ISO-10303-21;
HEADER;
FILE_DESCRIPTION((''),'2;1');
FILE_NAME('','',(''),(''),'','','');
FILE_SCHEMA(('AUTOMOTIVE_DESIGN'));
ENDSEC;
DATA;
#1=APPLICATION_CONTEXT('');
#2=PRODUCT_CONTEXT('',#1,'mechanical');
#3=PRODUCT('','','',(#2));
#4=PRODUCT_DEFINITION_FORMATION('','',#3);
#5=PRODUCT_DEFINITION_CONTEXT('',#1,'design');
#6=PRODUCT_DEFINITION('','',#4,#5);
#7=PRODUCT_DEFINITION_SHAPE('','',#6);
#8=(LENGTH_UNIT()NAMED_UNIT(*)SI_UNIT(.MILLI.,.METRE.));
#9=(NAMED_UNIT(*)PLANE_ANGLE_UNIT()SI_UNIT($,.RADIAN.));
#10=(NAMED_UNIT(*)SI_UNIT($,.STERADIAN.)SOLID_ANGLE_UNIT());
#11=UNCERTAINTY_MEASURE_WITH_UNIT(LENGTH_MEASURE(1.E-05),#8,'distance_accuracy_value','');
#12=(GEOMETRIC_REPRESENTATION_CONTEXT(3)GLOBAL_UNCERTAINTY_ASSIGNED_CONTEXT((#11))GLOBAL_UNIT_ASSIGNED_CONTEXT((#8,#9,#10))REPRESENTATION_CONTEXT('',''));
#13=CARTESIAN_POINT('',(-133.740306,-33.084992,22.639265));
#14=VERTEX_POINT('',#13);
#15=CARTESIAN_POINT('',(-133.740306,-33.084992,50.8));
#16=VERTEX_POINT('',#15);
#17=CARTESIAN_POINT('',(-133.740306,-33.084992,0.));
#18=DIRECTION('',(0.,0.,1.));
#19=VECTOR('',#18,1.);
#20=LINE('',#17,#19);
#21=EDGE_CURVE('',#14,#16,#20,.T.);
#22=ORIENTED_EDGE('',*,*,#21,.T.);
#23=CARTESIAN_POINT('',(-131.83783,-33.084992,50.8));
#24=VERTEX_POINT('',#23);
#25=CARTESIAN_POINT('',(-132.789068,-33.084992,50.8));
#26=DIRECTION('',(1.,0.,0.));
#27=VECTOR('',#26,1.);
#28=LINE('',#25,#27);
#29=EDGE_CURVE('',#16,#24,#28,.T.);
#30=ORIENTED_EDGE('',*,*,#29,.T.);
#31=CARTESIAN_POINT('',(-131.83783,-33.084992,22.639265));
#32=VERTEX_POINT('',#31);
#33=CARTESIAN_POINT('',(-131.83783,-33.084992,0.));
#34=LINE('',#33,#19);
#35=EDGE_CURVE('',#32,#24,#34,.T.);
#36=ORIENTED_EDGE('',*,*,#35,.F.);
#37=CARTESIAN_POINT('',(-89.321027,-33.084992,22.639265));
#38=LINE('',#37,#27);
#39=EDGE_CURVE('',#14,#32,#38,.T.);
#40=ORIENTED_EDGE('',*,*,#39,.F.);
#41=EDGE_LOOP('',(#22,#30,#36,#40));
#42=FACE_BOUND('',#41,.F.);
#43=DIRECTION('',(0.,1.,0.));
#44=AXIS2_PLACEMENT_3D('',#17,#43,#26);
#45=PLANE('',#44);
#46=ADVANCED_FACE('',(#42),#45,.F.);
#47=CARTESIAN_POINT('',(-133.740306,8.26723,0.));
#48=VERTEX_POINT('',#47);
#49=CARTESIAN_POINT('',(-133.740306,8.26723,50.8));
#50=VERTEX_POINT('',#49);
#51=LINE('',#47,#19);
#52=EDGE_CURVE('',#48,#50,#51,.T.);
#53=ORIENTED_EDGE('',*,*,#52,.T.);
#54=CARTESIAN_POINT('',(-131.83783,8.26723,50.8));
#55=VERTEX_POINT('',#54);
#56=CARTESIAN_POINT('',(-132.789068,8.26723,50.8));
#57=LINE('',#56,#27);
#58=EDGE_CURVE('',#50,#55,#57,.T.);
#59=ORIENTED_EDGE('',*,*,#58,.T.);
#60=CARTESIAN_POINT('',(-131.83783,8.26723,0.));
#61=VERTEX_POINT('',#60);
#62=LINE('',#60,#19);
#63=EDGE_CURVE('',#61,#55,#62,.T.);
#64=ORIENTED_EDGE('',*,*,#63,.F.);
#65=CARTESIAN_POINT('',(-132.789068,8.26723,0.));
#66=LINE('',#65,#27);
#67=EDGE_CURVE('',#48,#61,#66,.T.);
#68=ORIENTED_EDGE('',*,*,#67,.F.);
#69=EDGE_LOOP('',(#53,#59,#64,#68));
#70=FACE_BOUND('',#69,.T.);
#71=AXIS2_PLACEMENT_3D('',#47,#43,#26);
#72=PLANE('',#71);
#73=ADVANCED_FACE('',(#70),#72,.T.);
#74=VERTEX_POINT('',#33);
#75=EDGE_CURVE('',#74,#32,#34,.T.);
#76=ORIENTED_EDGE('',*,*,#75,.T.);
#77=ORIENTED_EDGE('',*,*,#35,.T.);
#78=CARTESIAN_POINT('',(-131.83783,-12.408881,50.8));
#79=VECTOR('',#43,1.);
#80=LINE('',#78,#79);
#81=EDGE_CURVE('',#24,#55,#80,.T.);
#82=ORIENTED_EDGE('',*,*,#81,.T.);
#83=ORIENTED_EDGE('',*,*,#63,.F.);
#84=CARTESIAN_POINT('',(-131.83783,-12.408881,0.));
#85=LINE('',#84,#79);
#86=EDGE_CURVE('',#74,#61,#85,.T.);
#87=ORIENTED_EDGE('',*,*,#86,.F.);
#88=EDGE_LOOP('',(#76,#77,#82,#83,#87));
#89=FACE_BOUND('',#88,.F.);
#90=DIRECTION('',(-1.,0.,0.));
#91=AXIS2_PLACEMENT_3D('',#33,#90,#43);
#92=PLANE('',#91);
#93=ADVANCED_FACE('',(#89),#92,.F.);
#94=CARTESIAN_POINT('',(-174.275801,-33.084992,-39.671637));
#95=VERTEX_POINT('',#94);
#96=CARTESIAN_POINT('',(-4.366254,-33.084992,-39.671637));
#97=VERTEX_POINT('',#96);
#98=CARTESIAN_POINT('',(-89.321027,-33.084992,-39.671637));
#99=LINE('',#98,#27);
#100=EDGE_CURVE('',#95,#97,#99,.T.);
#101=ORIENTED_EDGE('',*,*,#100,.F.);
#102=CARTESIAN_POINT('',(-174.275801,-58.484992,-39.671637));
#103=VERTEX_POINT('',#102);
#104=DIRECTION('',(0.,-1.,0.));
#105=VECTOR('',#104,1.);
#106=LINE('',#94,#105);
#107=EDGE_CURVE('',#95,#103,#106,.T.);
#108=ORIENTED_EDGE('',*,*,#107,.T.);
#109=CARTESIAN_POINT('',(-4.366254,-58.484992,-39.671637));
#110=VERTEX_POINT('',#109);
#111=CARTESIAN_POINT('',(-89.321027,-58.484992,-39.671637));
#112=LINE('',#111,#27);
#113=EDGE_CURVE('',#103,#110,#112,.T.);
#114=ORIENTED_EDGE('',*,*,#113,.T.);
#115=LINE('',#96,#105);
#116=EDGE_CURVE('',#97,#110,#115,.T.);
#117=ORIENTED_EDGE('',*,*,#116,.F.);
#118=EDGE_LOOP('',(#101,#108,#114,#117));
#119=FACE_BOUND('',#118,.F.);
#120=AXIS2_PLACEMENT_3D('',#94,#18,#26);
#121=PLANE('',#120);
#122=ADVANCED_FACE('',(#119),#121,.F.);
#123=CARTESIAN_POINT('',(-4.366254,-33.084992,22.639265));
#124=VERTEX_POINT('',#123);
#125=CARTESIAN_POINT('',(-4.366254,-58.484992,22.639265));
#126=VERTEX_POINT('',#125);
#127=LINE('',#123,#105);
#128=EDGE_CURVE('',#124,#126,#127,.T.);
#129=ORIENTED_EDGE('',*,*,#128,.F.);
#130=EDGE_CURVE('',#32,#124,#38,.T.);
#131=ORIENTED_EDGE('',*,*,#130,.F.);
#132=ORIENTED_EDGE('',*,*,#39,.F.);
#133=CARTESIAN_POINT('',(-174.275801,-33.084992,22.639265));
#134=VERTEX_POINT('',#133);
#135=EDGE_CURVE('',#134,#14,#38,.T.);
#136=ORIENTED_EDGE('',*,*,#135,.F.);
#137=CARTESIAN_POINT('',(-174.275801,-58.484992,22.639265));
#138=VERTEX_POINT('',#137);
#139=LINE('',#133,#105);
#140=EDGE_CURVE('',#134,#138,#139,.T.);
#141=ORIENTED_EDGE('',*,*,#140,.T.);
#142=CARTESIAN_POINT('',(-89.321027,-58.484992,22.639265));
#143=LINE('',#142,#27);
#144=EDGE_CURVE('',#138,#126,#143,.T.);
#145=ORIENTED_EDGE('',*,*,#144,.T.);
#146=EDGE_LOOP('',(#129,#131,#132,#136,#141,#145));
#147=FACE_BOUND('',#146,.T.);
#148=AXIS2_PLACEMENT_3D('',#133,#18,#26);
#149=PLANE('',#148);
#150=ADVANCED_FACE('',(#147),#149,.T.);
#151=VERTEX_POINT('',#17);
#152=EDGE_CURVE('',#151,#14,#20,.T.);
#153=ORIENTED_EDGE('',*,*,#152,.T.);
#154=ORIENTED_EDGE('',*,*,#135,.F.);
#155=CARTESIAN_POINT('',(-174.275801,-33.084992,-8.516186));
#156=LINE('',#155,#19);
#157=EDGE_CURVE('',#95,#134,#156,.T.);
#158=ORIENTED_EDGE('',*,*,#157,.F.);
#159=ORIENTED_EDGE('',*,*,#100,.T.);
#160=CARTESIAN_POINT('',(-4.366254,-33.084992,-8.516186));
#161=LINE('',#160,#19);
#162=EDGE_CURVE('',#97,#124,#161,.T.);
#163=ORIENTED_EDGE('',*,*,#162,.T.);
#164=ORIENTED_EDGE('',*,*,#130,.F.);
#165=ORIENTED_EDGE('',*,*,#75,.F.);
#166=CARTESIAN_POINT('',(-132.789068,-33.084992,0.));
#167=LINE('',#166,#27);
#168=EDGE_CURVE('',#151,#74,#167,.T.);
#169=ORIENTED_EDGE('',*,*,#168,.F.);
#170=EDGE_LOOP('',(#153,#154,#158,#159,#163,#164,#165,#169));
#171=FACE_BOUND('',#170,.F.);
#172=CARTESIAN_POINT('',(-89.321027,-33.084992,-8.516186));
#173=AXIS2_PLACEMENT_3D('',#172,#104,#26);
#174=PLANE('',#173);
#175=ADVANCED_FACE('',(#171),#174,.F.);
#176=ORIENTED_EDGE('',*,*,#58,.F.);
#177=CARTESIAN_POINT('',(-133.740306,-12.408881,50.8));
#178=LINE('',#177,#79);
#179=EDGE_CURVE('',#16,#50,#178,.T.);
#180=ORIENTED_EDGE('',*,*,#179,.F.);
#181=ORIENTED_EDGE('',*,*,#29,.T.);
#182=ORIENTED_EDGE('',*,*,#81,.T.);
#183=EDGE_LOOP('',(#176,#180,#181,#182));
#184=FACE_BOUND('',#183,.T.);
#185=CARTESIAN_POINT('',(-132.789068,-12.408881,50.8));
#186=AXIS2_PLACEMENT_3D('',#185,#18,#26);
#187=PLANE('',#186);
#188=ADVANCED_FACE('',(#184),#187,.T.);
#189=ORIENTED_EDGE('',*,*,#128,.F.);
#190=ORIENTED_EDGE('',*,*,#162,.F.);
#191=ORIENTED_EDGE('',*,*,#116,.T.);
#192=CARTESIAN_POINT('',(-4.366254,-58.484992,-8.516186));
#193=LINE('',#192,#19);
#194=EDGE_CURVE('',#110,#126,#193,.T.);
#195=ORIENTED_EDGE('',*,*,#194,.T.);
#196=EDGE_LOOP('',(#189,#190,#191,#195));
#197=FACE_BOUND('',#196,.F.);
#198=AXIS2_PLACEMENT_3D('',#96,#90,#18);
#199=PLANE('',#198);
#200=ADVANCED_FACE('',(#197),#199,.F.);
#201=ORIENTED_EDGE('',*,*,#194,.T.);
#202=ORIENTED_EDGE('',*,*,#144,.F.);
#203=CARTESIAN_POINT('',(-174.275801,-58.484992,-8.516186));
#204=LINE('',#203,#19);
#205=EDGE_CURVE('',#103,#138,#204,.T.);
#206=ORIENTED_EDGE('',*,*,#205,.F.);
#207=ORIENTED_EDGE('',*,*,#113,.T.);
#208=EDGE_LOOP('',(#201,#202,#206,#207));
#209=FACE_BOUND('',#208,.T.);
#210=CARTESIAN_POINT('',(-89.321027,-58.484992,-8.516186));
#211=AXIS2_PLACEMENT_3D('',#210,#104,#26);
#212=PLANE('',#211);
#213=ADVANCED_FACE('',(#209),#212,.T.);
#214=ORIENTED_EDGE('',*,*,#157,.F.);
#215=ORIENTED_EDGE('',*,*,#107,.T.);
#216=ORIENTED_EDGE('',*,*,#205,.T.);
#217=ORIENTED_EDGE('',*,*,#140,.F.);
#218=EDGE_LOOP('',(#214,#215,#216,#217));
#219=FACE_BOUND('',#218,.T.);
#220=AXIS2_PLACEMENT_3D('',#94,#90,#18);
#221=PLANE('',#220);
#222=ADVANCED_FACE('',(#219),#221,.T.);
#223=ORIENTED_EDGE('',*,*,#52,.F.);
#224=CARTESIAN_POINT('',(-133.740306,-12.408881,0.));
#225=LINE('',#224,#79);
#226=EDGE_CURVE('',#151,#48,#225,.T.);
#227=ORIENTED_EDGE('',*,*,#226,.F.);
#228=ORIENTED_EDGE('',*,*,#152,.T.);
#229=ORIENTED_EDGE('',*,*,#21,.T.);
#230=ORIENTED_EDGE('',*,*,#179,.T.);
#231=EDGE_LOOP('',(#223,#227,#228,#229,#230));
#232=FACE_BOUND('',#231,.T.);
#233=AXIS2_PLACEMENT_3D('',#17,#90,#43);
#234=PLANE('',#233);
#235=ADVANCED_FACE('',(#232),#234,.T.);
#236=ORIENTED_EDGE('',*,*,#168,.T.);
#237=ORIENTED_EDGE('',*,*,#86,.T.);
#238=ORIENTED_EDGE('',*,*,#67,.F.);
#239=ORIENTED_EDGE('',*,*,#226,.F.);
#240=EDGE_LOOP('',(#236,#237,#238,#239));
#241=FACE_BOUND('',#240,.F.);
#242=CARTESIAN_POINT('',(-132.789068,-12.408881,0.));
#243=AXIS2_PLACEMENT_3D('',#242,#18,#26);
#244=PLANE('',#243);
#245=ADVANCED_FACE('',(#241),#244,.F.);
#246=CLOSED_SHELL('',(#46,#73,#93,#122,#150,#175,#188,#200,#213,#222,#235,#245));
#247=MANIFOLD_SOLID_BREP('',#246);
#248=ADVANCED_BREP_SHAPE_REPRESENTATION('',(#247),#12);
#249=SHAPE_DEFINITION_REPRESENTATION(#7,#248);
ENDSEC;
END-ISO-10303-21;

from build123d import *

# Parameters (mm, degrees)
F0_W     = 1.902476
F0_H     = 41.352222
F1_DEPTH = 50.8
F2_T     = -101.6
F3_W     = 169.909547
F3_H     = 62.310902
F4_DEPTH = 25.4


with BuildPart() as f1:
    # F0 (on Top) → F1 (new body)
    with BuildSketch(Plane.XY):
        with Locations((-132.789068, -12.408881)):
            Rectangle(F0_W, F0_H)
    extrude(amount=F1_DEPTH)

    # F2
    f2_openings = [f1.faces().sort_by_distance(p)[0] for p in [
        (-131.83783, -12.408881, 25.4),
    ]]
    offset(amount=F2_T, openings=f2_openings)

    # F3 (on face) → F4 (join)
    with BuildSketch(Plane.XZ.offset(33.084992)):
        with Locations((-89.321027, -8.516186)):
            Rectangle(F3_W, F3_H)
    extrude(amount=F4_DEPTH)


solid = f1.part
